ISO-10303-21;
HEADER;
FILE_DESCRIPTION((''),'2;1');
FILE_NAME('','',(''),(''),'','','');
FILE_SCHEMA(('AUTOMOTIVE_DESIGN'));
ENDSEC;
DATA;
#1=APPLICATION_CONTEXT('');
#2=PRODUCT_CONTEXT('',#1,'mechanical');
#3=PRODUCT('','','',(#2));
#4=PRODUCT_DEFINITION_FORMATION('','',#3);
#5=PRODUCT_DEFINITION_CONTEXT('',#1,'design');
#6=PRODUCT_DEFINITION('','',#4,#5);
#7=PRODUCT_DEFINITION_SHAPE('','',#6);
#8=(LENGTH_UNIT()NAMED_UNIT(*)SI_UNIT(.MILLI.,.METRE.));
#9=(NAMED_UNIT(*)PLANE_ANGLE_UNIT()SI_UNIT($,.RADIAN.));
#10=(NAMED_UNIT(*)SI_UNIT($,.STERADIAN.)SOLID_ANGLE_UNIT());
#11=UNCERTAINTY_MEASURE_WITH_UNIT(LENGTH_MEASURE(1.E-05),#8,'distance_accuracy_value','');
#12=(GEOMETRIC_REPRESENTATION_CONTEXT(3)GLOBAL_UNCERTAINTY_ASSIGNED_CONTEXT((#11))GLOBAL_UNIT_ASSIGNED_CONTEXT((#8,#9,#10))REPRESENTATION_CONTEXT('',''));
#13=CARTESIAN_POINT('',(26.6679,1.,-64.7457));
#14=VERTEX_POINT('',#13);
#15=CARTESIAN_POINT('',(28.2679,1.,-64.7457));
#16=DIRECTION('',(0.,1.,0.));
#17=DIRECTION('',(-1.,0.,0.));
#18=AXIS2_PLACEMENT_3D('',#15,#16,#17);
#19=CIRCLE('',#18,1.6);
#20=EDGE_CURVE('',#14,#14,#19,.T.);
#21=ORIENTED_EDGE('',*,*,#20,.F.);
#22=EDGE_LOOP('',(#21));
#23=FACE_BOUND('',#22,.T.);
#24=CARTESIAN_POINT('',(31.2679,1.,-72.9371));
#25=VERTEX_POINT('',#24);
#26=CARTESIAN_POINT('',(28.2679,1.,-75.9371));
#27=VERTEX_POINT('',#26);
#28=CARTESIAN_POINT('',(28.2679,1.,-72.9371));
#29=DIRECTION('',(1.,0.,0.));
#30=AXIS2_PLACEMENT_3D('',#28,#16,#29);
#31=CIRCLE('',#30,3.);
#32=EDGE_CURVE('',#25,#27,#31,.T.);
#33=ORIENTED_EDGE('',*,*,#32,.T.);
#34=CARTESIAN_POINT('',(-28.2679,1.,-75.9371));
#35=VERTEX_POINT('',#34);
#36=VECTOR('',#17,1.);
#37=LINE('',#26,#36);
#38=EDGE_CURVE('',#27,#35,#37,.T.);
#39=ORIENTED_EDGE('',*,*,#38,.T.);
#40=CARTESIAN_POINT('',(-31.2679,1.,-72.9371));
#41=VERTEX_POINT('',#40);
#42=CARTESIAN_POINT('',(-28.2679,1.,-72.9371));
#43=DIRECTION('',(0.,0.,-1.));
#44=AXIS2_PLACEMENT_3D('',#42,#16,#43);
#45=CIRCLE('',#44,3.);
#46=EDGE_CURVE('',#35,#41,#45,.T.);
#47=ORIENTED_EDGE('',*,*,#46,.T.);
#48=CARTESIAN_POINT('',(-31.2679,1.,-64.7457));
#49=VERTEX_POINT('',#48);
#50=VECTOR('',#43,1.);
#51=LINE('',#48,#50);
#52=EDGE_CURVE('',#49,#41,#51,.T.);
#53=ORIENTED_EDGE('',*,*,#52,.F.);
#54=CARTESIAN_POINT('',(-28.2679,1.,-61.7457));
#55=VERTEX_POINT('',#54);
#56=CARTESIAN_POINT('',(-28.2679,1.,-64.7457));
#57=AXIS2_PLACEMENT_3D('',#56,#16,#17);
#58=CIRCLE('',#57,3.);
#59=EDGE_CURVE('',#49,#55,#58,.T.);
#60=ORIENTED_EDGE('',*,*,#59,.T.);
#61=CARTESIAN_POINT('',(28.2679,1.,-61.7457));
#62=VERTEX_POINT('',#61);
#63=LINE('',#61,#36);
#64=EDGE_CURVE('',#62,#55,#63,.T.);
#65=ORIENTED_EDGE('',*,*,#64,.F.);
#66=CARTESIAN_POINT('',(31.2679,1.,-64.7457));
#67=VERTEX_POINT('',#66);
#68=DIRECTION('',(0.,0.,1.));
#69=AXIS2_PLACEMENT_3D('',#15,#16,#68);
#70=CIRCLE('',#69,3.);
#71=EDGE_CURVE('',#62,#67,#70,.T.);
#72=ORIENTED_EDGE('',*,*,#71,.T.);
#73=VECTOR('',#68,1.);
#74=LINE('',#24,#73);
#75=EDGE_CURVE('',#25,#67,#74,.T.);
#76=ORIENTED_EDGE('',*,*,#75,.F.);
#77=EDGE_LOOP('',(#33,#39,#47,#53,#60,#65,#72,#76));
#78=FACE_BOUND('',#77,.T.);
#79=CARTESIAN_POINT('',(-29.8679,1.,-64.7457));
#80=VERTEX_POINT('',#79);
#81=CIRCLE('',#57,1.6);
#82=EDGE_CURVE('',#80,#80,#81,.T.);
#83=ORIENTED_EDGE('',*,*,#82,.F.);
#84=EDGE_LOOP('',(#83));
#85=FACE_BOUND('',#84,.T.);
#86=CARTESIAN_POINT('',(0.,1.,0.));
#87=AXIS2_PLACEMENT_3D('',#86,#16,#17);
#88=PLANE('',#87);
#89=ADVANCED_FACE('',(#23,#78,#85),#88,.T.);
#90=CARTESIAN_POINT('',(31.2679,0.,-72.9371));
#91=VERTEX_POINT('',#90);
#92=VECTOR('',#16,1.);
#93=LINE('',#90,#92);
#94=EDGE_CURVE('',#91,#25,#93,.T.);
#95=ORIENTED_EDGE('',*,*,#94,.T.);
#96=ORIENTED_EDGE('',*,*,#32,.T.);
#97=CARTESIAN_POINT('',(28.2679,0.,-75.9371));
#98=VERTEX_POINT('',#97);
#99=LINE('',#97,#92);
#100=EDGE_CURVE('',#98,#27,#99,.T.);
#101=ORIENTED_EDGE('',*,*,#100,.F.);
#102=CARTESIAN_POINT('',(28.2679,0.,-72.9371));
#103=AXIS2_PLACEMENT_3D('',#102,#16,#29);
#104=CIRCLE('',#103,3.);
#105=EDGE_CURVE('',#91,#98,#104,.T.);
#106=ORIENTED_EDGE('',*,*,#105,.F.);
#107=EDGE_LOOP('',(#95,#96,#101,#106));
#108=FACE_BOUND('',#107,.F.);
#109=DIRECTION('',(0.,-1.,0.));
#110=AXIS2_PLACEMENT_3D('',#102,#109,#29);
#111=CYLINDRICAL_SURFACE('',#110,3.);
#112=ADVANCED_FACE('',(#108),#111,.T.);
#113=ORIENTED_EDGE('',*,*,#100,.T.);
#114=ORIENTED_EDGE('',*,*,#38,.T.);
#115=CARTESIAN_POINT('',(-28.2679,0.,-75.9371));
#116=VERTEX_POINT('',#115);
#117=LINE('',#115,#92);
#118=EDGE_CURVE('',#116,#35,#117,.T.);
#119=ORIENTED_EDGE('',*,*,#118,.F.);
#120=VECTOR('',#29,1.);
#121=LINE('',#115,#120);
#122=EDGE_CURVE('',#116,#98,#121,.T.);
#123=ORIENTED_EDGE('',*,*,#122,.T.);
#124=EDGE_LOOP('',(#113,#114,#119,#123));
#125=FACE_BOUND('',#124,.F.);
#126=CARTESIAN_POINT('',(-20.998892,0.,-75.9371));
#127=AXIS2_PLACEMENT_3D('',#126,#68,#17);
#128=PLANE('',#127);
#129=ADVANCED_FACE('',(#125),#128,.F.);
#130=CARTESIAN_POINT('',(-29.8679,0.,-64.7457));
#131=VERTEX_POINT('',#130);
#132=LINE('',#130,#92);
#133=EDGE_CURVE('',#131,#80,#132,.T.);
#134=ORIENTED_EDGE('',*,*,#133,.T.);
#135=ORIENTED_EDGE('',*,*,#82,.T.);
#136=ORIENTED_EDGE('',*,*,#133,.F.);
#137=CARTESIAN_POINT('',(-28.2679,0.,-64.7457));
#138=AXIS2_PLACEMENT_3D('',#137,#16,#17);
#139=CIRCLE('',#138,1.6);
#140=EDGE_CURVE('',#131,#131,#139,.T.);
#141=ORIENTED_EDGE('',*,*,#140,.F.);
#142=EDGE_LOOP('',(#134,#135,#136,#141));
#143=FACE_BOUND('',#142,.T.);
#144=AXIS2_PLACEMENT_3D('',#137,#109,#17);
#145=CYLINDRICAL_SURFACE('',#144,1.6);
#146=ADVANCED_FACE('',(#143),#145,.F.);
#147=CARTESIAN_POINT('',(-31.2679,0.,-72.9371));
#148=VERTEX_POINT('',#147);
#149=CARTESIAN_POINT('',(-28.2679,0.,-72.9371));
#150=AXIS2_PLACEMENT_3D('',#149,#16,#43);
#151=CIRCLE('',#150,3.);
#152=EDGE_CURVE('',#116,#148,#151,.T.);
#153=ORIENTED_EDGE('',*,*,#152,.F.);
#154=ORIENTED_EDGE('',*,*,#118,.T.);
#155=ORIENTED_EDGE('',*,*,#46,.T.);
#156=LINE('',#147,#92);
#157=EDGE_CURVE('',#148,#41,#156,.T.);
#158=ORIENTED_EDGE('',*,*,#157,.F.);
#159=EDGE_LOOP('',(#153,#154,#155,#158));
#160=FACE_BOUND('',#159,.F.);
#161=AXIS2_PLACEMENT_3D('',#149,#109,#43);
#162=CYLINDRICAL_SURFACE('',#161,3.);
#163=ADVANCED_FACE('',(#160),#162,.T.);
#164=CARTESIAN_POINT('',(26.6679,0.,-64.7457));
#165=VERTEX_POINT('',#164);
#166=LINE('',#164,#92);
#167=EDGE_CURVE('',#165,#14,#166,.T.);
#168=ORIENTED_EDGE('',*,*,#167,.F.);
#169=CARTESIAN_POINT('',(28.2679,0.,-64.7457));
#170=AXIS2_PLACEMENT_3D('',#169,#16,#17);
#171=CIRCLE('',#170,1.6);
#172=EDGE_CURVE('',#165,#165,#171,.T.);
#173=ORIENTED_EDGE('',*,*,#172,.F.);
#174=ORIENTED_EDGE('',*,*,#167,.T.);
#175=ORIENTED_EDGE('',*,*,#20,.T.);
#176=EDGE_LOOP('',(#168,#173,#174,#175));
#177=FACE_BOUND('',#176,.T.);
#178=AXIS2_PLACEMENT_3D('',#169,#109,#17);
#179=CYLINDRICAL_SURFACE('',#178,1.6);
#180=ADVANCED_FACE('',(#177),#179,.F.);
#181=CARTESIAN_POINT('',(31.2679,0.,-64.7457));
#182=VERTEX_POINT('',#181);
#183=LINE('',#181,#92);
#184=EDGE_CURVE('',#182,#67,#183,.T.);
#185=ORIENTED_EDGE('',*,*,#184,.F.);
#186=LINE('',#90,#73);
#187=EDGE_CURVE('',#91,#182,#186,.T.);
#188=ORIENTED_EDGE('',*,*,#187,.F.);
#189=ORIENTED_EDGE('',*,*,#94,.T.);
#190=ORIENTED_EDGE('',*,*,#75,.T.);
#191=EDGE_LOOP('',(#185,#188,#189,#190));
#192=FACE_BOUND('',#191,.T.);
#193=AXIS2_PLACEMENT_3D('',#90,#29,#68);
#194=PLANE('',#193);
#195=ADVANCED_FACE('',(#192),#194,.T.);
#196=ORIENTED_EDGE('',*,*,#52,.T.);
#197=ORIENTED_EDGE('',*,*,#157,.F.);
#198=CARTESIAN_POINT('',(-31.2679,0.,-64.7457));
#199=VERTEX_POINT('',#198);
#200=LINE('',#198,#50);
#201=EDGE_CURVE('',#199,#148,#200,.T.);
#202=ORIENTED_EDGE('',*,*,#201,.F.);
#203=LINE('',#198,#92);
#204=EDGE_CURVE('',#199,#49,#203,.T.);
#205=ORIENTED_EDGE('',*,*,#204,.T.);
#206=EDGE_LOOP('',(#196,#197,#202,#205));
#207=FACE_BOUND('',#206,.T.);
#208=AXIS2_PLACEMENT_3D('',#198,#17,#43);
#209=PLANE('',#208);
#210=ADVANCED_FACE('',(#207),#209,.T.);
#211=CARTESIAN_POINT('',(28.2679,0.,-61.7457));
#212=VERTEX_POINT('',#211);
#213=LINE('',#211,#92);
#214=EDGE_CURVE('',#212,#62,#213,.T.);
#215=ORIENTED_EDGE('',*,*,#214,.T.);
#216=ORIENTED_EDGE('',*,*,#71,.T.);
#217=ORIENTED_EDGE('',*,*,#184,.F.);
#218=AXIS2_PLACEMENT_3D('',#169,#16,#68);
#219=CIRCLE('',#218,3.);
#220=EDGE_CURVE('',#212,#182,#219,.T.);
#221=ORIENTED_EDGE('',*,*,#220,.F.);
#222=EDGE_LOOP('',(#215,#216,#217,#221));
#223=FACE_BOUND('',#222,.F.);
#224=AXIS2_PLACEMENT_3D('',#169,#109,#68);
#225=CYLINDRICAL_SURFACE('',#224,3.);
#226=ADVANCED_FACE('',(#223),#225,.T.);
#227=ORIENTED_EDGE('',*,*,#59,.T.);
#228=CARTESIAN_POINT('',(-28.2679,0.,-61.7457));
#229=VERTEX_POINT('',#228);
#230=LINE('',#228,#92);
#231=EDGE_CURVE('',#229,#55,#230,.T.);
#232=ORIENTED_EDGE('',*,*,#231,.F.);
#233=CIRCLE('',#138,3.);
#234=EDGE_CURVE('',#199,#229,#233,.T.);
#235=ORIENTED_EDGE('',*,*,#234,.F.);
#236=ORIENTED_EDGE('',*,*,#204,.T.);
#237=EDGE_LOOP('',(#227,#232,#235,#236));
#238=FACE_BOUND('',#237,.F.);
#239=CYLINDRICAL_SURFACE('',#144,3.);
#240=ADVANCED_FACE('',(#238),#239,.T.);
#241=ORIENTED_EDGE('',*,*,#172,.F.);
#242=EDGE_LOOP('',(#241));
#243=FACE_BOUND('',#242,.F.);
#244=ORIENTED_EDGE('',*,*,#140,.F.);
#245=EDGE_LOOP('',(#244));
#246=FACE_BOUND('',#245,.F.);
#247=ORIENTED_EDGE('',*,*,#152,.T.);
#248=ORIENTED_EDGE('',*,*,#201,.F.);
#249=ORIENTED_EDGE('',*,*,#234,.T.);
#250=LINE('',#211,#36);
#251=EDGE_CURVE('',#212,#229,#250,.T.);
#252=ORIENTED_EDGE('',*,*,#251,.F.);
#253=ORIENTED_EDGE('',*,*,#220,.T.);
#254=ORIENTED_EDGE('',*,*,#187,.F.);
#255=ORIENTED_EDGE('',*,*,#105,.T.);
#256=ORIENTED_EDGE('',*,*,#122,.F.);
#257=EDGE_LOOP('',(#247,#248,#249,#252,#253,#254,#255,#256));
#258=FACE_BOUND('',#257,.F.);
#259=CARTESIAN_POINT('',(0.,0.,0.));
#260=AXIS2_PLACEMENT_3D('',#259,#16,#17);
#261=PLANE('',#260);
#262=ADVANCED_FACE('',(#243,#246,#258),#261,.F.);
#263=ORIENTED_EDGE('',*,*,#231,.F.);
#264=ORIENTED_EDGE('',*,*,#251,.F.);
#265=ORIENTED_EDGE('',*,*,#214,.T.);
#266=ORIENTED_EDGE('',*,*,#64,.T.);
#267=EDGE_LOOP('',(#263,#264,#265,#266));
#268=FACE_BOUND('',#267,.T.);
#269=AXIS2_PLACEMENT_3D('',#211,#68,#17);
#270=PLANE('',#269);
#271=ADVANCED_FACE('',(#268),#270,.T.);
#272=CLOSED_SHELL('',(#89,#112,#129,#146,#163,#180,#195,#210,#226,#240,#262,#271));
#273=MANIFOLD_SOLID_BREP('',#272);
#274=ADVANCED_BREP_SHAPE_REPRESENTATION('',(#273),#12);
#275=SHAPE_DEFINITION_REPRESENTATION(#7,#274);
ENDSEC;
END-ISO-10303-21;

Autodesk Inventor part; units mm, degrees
ref_plane "YZ Plane" through (0, 0, 0) normal (1, 0, 0) x (0, 1, 0)
ref_plane "XZ Plane" through (0, 0, 0) normal (0, 1, 0) x (-1, 0, 0)
ref_plane "XY Plane" through (0, 0, 0) normal (0, 0, 1) x (1, 0, 0)
sketch "Sketch1" plane through (0, 0, 0) normal (0, 1, 0) x (-1, 0, 0)
  circle A0 centre (28.2679, -64.7457) radius 1.6
  circle A1 centre (-28.2679, -64.7457) radius 1.6
  arc A2 (31.2679, -64.7457) -> (28.2679, -61.7457) centre (28.2679, -64.7457) ccw
  arc A3 (-28.2679, -61.7457) -> (-31.2679, -64.7457) centre (-28.2679, -64.7457) ccw
  line L0 (-28.2679, -61.7457) -> (28.2679, -61.7457)
  line L1 (48.3297, -88.9468) -> (2.1402, -66.9602)
  line L2 (-2.1585, -66.9605) -> (-48.3297, -88.9468)
  arc A4 (2.1402, -66.9602) -> (-2.1585, -66.9605) centre (-0.0088, -71.4748) ccw
  line L3 (-0.0092, -65.9371) -> (-0.0092, -75.9371)
  line L4 (-0.0092, -75.9371) -> (28.2679, -75.9371)
  line L5 (-0.0092, -75.9371) -> (-28.2679, -75.9371)
  line L6 (-31.2679, -72.9371) -> (-31.2679, -64.7457)
  line L7 (31.2679, -64.7457) -> (31.2679, -72.9371)
  arc A5 (28.2679, -75.9371) -> (31.2679, -72.9371) centre (28.2679, -72.9371) ccw
  arc A6 (-31.2679, -72.9371) -> (-28.2679, -75.9371) centre (-28.2679, -72.9371) ccw
  point P0 (0, 0)
  dimension "d0" = 3.2
  dimension "d1" = 3
  dimension "d2" = 3
  dimension "d3" = 5
  dimension "d4" = 10
  dimension "d5" = 3
  dimension "d8" = 14.1913
  dimension "d9" = 62.5358
extrude "Extrusion1" add sketch "Sketch1" along normal blind 1
properties part number "Light sensor ball guard"
